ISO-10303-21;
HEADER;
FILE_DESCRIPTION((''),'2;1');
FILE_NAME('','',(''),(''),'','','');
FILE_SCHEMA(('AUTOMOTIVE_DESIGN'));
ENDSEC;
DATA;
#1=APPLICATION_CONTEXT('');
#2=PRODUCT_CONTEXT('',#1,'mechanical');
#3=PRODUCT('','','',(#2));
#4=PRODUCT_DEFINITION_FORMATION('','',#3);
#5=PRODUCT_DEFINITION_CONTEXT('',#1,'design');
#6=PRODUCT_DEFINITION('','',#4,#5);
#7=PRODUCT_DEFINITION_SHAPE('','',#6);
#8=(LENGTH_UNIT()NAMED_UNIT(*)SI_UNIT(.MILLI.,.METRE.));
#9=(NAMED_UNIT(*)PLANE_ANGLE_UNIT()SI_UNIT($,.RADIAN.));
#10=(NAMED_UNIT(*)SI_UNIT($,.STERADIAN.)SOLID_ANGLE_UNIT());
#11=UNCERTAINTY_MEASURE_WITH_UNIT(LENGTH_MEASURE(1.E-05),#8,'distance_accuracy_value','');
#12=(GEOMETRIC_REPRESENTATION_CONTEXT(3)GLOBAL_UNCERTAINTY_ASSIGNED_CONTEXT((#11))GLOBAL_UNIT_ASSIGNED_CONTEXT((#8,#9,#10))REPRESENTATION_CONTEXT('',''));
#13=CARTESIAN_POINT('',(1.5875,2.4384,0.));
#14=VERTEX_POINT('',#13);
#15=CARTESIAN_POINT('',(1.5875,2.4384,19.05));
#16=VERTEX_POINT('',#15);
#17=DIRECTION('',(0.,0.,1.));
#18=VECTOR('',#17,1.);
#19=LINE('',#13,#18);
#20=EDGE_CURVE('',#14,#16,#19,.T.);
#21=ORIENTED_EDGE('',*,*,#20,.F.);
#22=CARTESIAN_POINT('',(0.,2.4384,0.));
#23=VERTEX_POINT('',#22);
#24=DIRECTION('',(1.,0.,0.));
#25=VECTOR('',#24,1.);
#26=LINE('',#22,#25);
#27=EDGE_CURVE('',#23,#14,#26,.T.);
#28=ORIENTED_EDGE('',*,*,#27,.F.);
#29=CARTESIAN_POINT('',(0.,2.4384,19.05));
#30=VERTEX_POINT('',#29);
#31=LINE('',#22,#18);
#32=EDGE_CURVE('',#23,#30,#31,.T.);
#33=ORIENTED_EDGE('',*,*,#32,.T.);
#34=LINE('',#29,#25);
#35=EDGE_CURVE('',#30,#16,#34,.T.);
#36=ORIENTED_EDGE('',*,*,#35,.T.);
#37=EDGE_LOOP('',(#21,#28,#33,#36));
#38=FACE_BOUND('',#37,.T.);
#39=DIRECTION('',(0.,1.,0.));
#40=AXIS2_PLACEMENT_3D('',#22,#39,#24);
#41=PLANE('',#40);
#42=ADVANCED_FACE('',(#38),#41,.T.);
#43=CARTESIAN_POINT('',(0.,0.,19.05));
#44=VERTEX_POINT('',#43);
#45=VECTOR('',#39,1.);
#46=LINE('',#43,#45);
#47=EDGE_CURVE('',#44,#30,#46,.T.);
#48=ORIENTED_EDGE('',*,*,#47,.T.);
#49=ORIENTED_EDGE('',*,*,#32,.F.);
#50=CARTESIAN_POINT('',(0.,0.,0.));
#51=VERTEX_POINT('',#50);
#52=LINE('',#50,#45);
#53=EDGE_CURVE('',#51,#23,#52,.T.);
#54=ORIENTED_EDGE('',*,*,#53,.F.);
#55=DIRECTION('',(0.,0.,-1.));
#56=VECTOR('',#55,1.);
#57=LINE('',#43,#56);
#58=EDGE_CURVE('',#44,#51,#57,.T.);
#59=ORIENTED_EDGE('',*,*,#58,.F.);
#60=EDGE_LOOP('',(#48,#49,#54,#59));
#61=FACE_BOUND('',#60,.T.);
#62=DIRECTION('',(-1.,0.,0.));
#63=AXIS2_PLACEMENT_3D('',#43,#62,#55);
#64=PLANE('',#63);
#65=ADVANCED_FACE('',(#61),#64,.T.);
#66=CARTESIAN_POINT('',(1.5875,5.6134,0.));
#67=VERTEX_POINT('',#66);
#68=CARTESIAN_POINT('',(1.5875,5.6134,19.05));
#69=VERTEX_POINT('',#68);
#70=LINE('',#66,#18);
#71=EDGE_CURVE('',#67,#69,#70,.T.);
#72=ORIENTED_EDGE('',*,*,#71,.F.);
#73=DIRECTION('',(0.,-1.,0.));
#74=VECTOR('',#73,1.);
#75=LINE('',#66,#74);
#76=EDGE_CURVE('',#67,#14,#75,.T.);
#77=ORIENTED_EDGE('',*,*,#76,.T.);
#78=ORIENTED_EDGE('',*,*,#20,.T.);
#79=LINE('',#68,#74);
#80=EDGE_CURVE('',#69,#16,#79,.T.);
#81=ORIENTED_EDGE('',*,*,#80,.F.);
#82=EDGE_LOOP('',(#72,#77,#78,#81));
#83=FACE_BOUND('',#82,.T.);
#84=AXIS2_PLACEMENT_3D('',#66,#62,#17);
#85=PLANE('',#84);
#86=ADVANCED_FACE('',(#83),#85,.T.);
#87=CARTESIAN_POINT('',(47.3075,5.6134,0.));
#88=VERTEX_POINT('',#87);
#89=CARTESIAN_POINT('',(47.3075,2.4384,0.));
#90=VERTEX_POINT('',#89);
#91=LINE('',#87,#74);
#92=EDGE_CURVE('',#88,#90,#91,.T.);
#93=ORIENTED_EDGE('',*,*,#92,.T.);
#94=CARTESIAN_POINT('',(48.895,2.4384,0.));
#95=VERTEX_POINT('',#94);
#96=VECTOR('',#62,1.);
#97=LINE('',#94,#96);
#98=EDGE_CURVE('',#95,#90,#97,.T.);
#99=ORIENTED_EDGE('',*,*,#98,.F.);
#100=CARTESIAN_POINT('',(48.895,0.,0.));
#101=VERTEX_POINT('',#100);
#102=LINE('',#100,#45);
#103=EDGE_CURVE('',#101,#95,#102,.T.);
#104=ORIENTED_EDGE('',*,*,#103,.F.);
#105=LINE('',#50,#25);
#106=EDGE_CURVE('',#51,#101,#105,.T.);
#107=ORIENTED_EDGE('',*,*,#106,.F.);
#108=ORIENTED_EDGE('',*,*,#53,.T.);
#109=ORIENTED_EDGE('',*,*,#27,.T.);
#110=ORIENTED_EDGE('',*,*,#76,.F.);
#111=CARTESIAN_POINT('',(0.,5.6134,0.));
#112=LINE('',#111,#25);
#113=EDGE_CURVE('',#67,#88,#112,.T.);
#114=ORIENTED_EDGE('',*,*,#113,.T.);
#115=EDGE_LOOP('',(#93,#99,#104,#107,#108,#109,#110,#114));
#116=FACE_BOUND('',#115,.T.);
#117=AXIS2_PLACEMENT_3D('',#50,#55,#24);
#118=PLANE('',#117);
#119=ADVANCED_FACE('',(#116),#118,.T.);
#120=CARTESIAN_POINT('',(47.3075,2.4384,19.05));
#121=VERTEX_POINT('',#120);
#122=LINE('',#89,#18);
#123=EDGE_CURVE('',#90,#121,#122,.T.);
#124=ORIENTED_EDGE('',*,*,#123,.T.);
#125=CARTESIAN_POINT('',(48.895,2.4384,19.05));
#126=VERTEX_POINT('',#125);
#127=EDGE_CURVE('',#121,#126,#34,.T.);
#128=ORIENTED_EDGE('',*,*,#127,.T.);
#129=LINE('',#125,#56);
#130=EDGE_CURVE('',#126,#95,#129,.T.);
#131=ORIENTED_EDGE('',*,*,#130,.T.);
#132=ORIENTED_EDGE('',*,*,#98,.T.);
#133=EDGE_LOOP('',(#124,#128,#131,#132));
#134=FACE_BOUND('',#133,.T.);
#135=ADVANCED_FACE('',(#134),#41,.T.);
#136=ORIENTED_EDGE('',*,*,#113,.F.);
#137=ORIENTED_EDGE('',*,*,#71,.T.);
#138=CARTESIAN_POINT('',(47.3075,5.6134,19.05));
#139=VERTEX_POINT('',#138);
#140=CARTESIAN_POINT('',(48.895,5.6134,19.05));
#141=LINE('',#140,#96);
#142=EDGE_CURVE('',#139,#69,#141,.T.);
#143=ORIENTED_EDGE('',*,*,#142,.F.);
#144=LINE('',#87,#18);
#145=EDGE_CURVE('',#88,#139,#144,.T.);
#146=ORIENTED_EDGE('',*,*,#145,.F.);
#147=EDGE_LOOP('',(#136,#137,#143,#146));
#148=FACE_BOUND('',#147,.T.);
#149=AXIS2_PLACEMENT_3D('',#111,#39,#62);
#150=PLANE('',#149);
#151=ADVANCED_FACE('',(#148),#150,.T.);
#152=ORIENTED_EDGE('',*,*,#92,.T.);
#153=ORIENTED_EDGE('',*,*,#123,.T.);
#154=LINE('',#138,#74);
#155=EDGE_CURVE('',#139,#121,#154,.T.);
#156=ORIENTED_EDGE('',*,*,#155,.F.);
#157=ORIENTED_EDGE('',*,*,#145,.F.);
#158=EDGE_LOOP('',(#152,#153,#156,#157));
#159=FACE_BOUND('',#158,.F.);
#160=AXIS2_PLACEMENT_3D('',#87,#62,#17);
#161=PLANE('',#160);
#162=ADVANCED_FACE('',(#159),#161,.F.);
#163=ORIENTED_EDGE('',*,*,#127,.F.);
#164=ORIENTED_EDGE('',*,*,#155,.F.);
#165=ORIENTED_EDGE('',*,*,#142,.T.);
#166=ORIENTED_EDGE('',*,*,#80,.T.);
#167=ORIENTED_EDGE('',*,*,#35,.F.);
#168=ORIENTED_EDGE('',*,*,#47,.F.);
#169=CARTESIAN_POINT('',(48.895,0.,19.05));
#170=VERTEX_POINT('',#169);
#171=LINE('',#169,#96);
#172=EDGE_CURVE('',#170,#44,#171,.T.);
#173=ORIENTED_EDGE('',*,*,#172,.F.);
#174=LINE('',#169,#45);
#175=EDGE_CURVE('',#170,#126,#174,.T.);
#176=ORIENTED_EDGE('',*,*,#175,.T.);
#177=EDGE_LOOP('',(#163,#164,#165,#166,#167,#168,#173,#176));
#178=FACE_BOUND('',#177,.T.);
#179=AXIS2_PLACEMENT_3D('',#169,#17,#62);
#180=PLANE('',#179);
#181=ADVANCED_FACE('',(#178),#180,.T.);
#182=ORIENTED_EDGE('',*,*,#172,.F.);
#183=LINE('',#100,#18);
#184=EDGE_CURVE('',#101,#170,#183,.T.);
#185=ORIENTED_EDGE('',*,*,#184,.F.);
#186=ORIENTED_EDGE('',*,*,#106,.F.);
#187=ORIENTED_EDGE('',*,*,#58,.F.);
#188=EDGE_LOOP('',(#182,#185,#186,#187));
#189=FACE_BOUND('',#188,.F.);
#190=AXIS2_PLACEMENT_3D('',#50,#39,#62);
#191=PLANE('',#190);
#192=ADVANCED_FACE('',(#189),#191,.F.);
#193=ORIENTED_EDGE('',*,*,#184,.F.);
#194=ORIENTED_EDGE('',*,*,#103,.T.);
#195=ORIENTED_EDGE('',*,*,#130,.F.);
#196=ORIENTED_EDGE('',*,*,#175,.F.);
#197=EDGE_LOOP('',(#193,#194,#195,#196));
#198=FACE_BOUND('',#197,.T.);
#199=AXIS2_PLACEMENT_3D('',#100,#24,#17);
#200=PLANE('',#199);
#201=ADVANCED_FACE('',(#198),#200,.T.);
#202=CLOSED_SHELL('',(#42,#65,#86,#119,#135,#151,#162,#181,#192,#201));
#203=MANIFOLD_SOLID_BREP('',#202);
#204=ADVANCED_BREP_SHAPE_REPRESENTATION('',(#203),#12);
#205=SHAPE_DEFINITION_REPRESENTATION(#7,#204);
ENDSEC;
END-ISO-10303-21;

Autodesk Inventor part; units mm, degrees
ref_plane "YZ Plane" through (0, 0, 0) normal (1, 0, 0) x (0, 1, 0)
ref_plane "XZ Plane" through (0, 0, 0) normal (0, 1, 0) x (-1, 0, 0)
ref_plane "XY Plane" through (0, 0, 0) normal (0, 0, 1) x (1, 0, 0)
sketch "Sketch1" plane through (0, 0, 0) normal (0, 1, 0) x (-1, 0, 0)
  line L0 (0, 0) -> (-48.895, 0)
  line L1 (-48.895, 0) -> (-48.895, 19.05)
  line L2 (-48.895, 19.05) -> (0, 19.05)
  line L3 (0, 19.05) -> (0, 0)
  dimension "d0" = 48.895
  dimension "d1" = 19.05
extrude "Extrusion1" add sketch "Sketch1" along normal blind 5.6134
sketch "Sketch5" plane through (0, 5.6134, 0) normal (0, 1, 0) x (1, 0, 0)
  line L0 (0, 0) -> (0, -19.05) projected
  line L1 (0, -19.05) -> (48.895, -19.05) projected
  line L2 (48.895, -19.05) -> (48.895, 0) projected
  line L3 (0, 0) -> (1.5875, 0)
  line L4 (1.5875, 0) -> (1.5875, -19.05)
  line L5 (1.5875, -19.05) -> (0, -19.05)
  line L6 (0, -19.05) -> (0, 0)
  line L7 (48.895, 0) -> (47.3075, 0)
  line L8 (47.3075, 0) -> (47.3075, -19.05)
  line L9 (47.3075, -19.05) -> (48.895, -19.05)
  line L10 (48.895, -19.05) -> (48.895, 0)
  dimension "d17" = 1.5875
  dimension "d18" = 1.5875
extrude "Extrusion5" cut sketch "Sketch5" against normal blind 3.175
properties part number "Lidar Sensor Case Piece 3"
